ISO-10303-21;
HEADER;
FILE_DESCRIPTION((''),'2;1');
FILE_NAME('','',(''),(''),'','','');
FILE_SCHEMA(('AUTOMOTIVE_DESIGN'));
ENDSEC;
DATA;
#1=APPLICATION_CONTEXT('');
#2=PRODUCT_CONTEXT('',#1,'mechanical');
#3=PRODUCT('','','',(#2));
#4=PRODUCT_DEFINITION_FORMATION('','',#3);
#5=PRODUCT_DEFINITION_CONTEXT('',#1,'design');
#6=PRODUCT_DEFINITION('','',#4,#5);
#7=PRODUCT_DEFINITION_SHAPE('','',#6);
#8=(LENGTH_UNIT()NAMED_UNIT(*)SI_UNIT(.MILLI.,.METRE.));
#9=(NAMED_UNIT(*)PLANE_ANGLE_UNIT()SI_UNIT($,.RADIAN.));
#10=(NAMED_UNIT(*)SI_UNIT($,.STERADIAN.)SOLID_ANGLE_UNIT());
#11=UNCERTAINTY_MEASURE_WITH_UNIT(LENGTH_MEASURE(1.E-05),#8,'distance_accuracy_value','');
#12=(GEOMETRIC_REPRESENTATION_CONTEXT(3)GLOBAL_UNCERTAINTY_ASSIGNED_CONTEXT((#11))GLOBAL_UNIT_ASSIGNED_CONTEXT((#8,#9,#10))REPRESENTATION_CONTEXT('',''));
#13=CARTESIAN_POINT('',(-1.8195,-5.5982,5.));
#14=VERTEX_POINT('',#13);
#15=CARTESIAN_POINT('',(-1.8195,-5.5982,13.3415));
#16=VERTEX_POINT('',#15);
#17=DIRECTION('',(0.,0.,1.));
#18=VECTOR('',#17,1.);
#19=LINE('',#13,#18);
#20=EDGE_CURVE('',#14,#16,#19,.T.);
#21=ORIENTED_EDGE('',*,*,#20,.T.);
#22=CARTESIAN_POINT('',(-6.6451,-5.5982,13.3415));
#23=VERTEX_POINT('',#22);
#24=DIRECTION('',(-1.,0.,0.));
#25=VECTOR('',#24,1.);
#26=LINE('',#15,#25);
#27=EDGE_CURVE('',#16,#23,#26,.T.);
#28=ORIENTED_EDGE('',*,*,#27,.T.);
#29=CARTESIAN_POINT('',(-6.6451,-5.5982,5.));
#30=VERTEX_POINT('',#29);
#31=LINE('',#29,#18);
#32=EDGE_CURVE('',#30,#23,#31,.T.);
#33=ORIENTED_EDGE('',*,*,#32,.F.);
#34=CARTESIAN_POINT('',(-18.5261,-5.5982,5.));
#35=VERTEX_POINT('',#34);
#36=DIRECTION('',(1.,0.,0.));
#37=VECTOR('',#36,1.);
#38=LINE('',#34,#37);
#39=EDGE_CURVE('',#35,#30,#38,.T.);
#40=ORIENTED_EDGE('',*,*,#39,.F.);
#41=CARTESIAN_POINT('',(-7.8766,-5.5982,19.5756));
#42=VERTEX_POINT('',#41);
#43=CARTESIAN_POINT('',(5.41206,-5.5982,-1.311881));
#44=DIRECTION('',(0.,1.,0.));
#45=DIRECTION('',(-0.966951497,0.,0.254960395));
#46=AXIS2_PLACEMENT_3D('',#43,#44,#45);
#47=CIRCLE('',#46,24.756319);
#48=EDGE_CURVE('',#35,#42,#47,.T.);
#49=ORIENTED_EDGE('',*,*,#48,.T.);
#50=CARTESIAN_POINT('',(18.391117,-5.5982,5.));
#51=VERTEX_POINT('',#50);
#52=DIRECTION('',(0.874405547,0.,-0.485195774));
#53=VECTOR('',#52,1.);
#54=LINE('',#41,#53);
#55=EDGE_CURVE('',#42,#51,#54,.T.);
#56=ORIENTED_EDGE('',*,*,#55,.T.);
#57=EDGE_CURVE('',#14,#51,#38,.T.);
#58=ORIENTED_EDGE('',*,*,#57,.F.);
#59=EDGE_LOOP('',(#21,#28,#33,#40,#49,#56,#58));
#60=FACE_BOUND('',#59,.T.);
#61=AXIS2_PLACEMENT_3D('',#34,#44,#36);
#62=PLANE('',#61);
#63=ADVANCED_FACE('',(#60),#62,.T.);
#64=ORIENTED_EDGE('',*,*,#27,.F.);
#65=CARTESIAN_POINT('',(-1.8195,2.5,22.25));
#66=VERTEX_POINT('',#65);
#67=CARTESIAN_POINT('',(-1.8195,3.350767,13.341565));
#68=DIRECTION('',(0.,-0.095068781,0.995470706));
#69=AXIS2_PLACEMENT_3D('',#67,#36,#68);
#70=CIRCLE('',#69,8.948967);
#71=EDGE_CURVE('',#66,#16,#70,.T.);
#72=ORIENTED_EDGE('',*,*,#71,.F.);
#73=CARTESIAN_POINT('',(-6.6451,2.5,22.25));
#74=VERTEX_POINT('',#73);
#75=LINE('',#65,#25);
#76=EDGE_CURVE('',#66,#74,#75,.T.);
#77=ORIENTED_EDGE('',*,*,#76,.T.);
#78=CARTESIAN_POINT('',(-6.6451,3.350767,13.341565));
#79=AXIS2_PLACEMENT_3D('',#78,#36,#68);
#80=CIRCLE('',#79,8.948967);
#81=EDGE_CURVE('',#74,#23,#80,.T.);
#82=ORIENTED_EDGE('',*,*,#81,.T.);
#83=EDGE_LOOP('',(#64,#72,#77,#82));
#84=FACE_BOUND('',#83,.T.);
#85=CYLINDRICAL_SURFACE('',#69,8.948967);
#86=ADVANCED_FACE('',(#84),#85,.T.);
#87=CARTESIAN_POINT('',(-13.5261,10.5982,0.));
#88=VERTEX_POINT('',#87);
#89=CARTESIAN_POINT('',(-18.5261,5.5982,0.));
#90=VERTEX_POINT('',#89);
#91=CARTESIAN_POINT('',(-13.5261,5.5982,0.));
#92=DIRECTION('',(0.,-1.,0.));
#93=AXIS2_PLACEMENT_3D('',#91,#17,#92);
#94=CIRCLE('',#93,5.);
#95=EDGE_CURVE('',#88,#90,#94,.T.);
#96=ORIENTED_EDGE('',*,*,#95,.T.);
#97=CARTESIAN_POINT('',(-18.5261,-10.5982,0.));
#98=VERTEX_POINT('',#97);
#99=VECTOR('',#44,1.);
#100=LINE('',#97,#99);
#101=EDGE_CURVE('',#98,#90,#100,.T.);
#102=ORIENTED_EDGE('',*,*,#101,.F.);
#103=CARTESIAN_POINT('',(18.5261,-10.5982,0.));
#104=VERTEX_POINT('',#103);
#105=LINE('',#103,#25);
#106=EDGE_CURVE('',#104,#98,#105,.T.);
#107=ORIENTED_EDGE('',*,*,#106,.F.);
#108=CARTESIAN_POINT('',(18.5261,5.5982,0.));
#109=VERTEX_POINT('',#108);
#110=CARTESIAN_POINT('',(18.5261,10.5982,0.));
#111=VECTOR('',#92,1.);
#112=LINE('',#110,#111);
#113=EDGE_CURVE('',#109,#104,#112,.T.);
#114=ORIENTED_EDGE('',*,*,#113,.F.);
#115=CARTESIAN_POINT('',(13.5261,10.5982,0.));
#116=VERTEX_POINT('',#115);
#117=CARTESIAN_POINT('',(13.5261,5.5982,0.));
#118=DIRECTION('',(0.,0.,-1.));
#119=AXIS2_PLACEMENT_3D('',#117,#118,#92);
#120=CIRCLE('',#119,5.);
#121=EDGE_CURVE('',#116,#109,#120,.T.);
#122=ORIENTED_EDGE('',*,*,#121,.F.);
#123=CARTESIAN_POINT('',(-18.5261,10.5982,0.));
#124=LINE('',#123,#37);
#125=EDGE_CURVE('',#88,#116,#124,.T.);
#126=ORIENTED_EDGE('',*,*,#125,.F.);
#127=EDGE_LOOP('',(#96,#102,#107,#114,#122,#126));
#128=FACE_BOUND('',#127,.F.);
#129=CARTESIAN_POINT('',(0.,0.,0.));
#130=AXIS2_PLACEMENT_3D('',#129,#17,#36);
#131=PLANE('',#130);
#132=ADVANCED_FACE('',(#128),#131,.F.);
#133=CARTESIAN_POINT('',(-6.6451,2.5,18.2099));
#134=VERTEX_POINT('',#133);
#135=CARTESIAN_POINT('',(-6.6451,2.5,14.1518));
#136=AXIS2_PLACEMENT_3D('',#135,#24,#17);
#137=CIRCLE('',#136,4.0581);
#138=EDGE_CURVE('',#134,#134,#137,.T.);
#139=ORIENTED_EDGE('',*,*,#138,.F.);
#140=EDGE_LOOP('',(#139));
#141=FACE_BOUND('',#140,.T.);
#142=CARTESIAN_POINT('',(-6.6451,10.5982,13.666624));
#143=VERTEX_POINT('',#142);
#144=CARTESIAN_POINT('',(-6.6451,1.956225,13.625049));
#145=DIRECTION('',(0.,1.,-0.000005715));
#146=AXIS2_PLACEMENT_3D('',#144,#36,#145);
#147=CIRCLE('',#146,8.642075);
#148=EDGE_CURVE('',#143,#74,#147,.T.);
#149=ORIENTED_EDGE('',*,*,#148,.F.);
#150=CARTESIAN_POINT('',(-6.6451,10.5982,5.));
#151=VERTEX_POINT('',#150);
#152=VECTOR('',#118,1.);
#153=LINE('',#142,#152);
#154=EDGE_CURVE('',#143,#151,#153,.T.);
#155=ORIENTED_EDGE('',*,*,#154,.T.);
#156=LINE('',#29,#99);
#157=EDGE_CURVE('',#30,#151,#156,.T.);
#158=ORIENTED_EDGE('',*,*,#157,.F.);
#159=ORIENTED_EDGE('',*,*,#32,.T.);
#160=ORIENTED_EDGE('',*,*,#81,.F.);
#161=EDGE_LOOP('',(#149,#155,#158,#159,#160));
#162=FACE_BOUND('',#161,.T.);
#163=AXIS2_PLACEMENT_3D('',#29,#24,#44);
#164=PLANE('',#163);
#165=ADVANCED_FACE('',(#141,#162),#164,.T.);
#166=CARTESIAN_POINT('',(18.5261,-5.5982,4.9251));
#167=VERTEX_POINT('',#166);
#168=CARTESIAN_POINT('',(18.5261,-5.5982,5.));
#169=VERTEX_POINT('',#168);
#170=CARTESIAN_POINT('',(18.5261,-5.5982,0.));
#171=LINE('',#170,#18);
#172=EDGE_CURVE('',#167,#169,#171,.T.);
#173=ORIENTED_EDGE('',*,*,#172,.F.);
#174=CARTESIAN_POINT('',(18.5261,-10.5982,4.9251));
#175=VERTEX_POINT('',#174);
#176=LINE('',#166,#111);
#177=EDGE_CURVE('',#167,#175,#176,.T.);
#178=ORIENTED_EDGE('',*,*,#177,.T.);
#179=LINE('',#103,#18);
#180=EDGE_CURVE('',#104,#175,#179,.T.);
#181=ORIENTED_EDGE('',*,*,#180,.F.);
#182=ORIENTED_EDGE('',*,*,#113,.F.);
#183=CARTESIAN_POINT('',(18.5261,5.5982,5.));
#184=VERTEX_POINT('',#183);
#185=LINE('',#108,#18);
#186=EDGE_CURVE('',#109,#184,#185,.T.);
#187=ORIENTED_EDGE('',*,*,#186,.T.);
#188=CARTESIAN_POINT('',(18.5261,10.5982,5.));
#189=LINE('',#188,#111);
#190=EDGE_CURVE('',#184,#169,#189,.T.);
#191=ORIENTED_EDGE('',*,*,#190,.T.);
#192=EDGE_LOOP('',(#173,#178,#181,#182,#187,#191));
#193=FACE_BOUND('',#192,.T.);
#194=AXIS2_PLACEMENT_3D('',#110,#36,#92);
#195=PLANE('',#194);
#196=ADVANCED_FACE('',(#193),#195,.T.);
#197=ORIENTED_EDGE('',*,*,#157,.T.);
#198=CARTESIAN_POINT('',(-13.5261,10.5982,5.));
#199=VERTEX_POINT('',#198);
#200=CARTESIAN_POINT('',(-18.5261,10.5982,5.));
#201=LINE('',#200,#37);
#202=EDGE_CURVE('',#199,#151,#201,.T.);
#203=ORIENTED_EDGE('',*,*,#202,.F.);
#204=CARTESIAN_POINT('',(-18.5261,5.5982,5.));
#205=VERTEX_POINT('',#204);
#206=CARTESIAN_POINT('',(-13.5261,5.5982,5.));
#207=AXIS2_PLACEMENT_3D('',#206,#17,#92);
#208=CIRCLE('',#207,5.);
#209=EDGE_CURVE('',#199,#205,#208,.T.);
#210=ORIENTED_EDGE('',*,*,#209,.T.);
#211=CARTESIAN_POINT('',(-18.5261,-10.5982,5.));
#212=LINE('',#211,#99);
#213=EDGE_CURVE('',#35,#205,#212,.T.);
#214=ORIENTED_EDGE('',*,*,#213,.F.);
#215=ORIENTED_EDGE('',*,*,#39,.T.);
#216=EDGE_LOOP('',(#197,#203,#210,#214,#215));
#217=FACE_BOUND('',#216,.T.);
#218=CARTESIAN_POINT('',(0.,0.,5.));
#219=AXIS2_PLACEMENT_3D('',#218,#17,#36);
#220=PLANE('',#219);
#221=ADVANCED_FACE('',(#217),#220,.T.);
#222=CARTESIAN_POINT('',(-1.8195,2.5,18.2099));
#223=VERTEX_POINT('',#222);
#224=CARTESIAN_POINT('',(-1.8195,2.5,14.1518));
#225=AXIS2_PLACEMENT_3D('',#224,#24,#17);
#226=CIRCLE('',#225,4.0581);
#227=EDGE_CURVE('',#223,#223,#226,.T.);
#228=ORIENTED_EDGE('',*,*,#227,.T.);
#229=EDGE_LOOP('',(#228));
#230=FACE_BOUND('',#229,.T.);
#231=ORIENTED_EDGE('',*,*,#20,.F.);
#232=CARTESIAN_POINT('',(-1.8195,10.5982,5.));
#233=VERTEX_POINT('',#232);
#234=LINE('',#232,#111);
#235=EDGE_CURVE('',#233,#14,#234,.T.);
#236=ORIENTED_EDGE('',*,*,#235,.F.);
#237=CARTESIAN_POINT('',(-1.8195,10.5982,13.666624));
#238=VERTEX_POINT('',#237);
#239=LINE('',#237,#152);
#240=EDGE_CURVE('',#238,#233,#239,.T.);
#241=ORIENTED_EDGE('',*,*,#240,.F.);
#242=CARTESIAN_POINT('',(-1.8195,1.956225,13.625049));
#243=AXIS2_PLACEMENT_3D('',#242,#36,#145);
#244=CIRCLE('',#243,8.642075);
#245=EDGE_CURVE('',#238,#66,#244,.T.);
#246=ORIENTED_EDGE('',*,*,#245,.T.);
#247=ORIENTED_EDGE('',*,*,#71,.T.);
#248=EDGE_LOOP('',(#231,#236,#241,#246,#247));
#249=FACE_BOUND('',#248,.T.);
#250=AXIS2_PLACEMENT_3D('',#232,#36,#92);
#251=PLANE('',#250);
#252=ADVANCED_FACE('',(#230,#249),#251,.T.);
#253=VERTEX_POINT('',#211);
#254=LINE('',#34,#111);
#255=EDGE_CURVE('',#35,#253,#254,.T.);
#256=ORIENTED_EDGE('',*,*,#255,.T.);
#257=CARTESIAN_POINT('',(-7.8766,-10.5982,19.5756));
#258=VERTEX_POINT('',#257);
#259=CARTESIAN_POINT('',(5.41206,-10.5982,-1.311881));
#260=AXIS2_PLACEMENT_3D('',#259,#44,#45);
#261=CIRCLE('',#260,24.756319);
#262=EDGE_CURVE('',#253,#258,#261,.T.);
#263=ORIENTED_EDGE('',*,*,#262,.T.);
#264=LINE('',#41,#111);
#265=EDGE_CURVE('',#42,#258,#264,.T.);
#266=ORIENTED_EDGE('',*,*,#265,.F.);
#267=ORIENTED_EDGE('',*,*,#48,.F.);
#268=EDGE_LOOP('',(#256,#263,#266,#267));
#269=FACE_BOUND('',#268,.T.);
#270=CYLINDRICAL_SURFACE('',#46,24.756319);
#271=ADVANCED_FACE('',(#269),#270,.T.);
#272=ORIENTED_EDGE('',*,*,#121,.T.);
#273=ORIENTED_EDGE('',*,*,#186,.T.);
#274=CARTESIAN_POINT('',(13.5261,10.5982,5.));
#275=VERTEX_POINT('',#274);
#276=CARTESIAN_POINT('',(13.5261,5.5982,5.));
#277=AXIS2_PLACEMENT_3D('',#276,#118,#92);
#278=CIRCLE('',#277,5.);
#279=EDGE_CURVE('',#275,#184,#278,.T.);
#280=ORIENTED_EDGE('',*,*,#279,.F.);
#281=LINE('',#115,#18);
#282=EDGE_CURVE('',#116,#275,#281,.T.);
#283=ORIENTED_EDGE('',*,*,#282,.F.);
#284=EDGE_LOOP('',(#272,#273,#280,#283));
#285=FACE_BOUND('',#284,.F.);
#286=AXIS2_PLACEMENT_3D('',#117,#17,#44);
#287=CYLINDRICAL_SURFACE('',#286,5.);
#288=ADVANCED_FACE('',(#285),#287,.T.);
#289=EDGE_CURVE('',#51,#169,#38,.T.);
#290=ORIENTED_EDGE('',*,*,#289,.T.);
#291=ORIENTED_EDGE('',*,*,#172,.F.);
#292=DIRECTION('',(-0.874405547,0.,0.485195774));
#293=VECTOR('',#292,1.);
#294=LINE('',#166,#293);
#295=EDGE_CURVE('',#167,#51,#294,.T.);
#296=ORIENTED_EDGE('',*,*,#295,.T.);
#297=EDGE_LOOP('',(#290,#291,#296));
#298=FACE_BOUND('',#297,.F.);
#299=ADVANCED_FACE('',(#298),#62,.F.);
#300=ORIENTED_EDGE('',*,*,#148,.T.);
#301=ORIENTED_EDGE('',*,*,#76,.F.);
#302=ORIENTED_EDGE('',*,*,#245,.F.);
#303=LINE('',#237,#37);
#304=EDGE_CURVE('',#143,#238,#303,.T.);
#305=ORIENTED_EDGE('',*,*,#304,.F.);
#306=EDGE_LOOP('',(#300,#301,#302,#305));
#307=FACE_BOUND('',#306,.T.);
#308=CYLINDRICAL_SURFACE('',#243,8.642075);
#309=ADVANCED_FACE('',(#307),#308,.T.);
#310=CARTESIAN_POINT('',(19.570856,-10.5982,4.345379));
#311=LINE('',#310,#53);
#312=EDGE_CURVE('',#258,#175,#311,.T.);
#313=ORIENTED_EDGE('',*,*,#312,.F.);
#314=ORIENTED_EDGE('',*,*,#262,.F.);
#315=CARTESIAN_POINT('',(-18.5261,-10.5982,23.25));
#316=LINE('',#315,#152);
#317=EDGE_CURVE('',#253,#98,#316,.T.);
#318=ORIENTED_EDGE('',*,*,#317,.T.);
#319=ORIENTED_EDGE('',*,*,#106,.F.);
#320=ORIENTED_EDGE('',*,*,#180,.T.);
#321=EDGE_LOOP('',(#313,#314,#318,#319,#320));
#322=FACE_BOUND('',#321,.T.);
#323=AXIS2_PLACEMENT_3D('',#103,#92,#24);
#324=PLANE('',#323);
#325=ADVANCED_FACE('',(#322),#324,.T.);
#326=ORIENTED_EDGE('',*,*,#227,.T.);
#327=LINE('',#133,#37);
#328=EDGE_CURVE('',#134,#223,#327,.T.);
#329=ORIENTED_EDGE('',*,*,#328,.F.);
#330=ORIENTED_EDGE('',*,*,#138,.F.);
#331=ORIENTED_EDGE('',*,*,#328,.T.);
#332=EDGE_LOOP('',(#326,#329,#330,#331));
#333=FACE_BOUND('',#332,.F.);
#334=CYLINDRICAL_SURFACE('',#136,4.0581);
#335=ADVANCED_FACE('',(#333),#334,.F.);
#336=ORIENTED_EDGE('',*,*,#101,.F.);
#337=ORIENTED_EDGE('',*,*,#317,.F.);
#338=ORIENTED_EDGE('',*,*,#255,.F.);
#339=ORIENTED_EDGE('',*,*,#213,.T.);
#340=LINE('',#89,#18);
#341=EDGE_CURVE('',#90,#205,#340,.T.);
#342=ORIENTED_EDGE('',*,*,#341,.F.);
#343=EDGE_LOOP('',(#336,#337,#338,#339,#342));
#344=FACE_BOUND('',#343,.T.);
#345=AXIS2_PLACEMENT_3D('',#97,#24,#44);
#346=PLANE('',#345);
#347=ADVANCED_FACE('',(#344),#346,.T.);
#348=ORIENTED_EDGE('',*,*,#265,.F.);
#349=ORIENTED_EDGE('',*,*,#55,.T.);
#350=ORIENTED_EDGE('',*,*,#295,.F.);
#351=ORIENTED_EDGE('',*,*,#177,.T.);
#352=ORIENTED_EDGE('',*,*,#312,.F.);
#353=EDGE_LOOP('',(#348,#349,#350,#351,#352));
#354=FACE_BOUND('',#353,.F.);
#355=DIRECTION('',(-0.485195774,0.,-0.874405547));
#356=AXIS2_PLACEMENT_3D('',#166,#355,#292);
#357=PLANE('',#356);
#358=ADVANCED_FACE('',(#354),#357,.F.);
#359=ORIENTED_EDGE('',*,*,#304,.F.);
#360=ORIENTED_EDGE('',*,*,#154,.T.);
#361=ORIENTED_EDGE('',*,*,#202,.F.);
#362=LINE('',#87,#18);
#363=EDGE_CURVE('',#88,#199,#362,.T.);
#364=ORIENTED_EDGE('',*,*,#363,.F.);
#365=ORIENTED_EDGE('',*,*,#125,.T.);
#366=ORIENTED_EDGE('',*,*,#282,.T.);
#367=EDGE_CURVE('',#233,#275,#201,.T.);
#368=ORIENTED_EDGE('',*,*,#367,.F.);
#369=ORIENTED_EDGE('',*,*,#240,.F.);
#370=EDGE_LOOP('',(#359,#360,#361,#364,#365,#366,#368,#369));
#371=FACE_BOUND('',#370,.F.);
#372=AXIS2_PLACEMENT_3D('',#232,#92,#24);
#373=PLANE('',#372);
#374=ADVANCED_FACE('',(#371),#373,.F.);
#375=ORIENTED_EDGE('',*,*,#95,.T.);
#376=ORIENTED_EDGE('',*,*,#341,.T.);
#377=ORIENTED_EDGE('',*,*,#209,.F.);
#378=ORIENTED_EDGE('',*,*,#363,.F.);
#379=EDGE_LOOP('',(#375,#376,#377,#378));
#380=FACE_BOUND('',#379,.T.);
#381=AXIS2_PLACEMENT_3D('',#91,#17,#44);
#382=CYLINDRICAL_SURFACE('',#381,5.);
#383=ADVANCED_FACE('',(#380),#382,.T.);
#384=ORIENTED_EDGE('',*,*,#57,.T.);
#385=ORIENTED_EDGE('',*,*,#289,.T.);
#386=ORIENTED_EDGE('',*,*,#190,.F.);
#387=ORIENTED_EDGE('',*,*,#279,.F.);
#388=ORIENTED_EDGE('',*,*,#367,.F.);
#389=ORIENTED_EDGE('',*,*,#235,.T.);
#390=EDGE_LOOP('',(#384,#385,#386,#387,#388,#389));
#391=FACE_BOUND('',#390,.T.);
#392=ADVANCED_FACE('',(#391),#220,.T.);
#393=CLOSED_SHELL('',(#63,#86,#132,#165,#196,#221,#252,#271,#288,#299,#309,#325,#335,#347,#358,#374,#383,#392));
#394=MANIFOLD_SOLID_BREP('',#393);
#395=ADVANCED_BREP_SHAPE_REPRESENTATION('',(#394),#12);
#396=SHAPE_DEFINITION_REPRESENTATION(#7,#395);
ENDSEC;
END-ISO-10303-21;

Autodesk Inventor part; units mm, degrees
ref_plane "YZ Plane" through (0, 0, 0) normal (1, 0, 0) x (0, 1, 0)
ref_plane "XZ Plane" through (0, 0, 0) normal (0, 1, 0) x (-1, 0, 0)
ref_plane "XY Plane" through (0, 0, 0) normal (0, 0, 1) x (1, 0, 0)
sketch "스케치1" plane through (0, 0, 0) normal (0, 0, 1) x (1, 0, 0)
  line L0 (18.5261, -10.5982) -> (-18.5261, -10.5982)
  line L1 (-18.5261, -10.5982) -> (-18.5261, 10.5982)
  line L2 (-18.5261, 10.5982) -> (18.5261, 10.5982)
  line L3 (18.5261, 10.5982) -> (18.5261, -10.5982)
  line L4 (18.5261, -10.5982) -> (-18.5261, 10.5982) construction
  line L5 (-18.5261, -10.5982) -> (18.5261, 10.5982) construction
  point P0 (0, 0)
extrude "돌출1" add sketch "스케치1" along normal blind 5
sketch "스케치2" plane through (0, 0, 5) normal (0, 0, 1) x (1, 0, 0)
  line L0 (-18.5261, -10.5982) -> (18.5261, -10.5982) projected
  line L1 (-18.5261, 10.5982) -> (-18.5261, -10.5982) projected
  line L2 (18.5261, -10.5982) -> (-18.5261, -10.5982)
  line L3 (-18.5261, -10.5982) -> (-18.5261, -5.5982)
  line L4 (-18.5261, -5.5982) -> (18.5261, -5.5982)
  line L5 (18.5261, -5.5982) -> (18.5261, -10.5982)
  point P0 (0, 0)
  dimension "d2" = 5
extrude "돌출2" add sketch "스케치2" along normal blind 18.25
sketch "스케치3" plane through (-18.5261, -5.5982, 5) normal (0, 1, 0) x (1, 0, 0)
  line L0 (37.0522, 5) -> (37.0522, -18.25) projected
  line L1 (37.0522, 0.0749) -> (10.6495, -14.5756)
  line L2 (0, 5) -> (0, 0) projected
  arc A0 (0, 0) -> (10.6495, -14.5756) centre (23.9382, 6.3119) ccw
  line L3 (37.0522, 0.0749) -> (37.0522, -18.25)
  line L4 (37.0522, -18.25) -> (0, -18.25) projected
  line L5 (0, -18.25) -> (0, 0)
  point P0 (18.5261, 5)
extrude "돌출3" cut sketch "스케치3" against normal blind 18.25
sketch "스케치4" plane through (0, 0, 5) normal (0, 0, 1) x (1, 0, 0)
  line L0 (-18.5261, -5.5982) -> (18.391, -5.5982) projected
  line L1 (18.5261, 10.5982) -> (-18.5261, 10.5982) projected
  line L2 (-1.8195, -5.5982) -> (-6.6451, -5.5982)
  line L3 (-6.6451, -5.5982) -> (-6.6451, 10.5982)
  line L4 (-6.6451, 10.5982) -> (-1.8195, 10.5982)
  line L5 (-1.8195, 10.5982) -> (-1.8195, -5.5982)
  point P0 (0, 0)
extrude "돌출4" add sketch "스케치4" along normal blind 17.25
sketch "스케치5" plane through (-6.6451, -5.5982, 5) normal (-1, 0, 0) x (0, 0, 1)
  arc A0 (9.1518, 0) -> (9.1518, 16.1965) centre (9.1518, 8.0982) ccw
  line L0 (0, 16.1965) -> (17.25, 16.1965) projected
  line L1 (17.25, 16.1965) -> (17.25, 0) projected
  circle A1 centre (9.1518, 8.0982) radius 4.0581
  line L2 (14.5756, 0) -> (0, 0) projected
  line L3 (0, 16.1965) -> (17.25, 16.1965) projected
  line L4 (9.1518, 16.1965) -> (17.25, 16.1965)
  line L5 (17.25, 16.1965) -> (17.25, 8.0982)
  line L6 (17.25, 0) -> (17.25, 16.1965) projected
  line L7 (17.25, 0) -> (9.1518, 0)
  line L8 (11.2145, 0) -> (17.25, 0) projected
  line L9 (17.25, 8.0982) -> (17.25, 0)
  line L10 (17.25, 0) -> (9.1518, 0)
  point P0 (-5, 5.5982)
extrude "돌출5" cut sketch "스케치5" against normal blind 17.25 contours A1
sketch "스케치6" plane through (-1.8195, -5.5982, 5) normal (1, 0, 0) x (0, 0, -1)
  line L0 (-17.25, 16.1965) -> (-17.25, 0) projected
  line L1 (0, 16.1965) -> (-17.25, 16.1965) projected
  line L2 (-17.25, 8.0982) -> (-17.25, 16.1965)
  line L3 (-17.25, 16.1965) -> (-8.625, 16.1965)
  line L4 (-17.25, 0) -> (-17.25, 8.0982)
  line L5 (-11.2145, 0) -> (-17.25, 0) projected
  line L6 (-17.25, 0) -> (-8.3415, 0)
  line L7 (0, 0) -> (-14.5756, 0) projected
  arc A0 (-17.25, 8.0982) -> (-8.3415, 0) centre (-8.3415, 8.949) ccw
  arc A1 (-8.625, 16.1965) -> (-17.25, 8.0982) centre (-8.625, 7.5543) ccw
  point P0 (5, 5.5982)
extrude "돌출6" cut sketch "스케치6" against normal blind 17.25
fillet "모깎기1" radius 5 2 edges at (-18.5261, 10.5982, 2.5) (18.5261, 10.5982, 2.5)
properties part number "240628_final2"
